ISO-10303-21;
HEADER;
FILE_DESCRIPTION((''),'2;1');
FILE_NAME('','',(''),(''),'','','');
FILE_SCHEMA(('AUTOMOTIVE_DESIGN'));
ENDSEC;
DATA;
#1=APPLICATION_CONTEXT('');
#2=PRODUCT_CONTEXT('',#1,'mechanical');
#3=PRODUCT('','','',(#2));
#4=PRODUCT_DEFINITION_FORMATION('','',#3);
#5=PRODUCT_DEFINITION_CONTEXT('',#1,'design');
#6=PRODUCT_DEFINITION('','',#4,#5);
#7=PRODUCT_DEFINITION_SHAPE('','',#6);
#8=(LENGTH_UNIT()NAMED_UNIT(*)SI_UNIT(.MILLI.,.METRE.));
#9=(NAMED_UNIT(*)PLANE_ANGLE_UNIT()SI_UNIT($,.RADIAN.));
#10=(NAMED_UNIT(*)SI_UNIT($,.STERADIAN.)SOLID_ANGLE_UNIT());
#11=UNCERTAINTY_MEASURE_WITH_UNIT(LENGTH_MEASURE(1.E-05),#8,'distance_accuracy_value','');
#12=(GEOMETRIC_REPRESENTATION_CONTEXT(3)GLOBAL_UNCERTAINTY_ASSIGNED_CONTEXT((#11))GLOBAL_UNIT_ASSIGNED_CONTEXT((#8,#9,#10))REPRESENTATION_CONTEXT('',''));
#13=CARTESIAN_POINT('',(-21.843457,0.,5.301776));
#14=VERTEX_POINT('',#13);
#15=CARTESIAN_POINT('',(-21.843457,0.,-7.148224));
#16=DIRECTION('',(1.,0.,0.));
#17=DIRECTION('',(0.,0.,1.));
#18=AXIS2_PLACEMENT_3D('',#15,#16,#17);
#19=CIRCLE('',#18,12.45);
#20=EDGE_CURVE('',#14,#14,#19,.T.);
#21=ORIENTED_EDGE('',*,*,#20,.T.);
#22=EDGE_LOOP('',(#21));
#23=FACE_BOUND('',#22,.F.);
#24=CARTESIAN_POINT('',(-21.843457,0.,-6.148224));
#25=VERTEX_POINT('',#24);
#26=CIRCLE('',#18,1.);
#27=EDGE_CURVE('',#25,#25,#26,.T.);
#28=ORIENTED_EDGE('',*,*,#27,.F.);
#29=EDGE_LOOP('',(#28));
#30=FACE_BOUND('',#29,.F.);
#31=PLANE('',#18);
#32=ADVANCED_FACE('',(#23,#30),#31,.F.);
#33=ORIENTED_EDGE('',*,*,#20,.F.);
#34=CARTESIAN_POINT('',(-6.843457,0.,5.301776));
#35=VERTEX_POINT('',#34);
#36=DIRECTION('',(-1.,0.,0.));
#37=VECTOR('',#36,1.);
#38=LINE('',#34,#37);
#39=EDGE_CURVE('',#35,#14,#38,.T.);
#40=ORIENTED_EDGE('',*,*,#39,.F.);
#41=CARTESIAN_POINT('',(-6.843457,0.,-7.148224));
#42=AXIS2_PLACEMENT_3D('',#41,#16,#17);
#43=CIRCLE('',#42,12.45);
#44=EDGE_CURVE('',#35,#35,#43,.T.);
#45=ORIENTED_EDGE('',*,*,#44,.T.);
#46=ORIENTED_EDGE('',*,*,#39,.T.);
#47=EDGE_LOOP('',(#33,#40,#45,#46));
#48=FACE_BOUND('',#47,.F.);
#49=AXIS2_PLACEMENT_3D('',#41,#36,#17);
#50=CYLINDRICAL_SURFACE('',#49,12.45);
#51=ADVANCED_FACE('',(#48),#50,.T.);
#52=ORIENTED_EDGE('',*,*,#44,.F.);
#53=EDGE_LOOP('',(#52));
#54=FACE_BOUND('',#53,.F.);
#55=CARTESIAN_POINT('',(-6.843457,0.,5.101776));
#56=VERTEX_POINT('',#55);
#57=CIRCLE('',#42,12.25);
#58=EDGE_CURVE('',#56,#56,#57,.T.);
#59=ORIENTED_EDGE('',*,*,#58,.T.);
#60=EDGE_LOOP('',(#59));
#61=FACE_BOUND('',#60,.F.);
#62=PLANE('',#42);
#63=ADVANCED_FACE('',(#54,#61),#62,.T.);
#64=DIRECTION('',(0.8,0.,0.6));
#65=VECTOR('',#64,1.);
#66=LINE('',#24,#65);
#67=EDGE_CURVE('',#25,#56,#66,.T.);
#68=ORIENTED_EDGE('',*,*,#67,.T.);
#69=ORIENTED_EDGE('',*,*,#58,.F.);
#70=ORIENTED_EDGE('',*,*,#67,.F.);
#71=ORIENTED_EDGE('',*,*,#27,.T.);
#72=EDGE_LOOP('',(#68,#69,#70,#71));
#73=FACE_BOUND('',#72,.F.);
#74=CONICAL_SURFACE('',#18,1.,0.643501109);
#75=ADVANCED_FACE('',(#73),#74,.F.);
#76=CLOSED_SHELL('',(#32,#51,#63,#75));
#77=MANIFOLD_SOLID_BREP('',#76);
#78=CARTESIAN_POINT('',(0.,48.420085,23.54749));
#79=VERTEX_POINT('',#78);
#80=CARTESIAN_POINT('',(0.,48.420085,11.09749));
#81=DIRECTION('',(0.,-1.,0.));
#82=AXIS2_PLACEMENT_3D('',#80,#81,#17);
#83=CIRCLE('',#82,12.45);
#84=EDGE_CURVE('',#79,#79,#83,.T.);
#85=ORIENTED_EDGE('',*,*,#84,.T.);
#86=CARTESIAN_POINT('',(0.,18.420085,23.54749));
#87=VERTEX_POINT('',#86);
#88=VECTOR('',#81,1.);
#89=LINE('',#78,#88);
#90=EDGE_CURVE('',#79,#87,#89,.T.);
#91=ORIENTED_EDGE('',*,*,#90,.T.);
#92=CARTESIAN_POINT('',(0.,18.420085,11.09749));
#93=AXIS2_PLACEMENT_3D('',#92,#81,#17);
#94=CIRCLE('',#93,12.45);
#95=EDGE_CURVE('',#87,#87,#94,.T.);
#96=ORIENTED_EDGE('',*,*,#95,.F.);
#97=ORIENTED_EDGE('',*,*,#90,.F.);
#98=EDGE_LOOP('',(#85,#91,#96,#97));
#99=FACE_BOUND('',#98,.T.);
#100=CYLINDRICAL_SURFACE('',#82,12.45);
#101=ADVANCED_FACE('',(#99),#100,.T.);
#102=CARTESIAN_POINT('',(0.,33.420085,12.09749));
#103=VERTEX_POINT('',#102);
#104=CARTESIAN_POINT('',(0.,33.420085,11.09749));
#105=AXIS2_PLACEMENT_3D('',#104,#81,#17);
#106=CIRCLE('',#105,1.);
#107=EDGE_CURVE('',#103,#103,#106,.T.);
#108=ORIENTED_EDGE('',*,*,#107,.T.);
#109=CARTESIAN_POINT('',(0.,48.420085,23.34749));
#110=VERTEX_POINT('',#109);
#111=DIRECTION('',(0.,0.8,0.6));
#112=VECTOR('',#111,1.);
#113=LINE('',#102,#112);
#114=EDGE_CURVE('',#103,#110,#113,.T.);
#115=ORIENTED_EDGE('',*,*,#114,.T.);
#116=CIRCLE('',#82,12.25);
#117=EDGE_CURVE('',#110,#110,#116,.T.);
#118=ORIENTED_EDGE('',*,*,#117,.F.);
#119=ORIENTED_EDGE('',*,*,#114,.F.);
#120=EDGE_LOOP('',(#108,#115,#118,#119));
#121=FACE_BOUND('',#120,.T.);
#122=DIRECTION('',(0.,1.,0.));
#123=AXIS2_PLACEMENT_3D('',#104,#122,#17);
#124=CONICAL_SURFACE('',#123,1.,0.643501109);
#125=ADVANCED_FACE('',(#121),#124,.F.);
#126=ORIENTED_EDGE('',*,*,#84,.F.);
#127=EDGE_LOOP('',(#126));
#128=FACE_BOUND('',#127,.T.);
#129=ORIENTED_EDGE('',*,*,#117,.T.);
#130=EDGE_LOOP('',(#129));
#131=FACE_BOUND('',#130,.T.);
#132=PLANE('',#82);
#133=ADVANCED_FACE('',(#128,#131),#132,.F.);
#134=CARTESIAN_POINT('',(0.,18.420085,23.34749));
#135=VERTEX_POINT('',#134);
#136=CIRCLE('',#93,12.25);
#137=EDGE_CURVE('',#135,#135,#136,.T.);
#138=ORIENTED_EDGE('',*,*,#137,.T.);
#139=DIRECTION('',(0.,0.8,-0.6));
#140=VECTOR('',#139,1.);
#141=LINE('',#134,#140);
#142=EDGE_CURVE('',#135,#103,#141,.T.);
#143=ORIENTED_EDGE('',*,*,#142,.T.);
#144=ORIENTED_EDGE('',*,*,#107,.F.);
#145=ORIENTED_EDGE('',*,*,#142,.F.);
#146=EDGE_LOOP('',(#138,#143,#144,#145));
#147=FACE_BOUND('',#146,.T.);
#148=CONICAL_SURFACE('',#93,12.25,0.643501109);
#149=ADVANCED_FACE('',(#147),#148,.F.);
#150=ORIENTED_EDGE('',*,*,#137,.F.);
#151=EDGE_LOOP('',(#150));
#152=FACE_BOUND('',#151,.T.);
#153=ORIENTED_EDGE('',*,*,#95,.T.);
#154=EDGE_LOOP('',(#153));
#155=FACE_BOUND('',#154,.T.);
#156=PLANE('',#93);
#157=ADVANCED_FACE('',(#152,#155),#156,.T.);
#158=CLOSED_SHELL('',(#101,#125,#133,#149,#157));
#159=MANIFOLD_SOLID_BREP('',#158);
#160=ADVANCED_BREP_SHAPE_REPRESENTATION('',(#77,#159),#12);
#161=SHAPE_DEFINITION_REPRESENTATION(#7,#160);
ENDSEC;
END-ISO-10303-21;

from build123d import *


with BuildPart() as f1:
    # F0 (on Right) → F1 (revolve)
    with BuildSketch(Plane.YZ):
        Polygon((18.420085, 23.34749), (33.420085, 12.09749), (48.420085, 23.34749), (48.420085, 23.54749), (18.420085, 23.54749), align=None)
    revolve(axis=Axis((0, 30.725388, 11.09749), (0, -1, 0)))


with BuildPart() as f3:
    # F2 (on Front) → F3 (revolve)
    with BuildSketch(Plane.XZ):
        Polygon((-6.843457, 5.301776), (-21.843457, 5.301776), (-21.843457, -6.148224), (-6.843457, 5.101776), align=None)
    revolve(axis=Axis((-15.019601, 0, -7.148224), (1, 0, 0)))


solid = Compound([f1.part, f3.part])
